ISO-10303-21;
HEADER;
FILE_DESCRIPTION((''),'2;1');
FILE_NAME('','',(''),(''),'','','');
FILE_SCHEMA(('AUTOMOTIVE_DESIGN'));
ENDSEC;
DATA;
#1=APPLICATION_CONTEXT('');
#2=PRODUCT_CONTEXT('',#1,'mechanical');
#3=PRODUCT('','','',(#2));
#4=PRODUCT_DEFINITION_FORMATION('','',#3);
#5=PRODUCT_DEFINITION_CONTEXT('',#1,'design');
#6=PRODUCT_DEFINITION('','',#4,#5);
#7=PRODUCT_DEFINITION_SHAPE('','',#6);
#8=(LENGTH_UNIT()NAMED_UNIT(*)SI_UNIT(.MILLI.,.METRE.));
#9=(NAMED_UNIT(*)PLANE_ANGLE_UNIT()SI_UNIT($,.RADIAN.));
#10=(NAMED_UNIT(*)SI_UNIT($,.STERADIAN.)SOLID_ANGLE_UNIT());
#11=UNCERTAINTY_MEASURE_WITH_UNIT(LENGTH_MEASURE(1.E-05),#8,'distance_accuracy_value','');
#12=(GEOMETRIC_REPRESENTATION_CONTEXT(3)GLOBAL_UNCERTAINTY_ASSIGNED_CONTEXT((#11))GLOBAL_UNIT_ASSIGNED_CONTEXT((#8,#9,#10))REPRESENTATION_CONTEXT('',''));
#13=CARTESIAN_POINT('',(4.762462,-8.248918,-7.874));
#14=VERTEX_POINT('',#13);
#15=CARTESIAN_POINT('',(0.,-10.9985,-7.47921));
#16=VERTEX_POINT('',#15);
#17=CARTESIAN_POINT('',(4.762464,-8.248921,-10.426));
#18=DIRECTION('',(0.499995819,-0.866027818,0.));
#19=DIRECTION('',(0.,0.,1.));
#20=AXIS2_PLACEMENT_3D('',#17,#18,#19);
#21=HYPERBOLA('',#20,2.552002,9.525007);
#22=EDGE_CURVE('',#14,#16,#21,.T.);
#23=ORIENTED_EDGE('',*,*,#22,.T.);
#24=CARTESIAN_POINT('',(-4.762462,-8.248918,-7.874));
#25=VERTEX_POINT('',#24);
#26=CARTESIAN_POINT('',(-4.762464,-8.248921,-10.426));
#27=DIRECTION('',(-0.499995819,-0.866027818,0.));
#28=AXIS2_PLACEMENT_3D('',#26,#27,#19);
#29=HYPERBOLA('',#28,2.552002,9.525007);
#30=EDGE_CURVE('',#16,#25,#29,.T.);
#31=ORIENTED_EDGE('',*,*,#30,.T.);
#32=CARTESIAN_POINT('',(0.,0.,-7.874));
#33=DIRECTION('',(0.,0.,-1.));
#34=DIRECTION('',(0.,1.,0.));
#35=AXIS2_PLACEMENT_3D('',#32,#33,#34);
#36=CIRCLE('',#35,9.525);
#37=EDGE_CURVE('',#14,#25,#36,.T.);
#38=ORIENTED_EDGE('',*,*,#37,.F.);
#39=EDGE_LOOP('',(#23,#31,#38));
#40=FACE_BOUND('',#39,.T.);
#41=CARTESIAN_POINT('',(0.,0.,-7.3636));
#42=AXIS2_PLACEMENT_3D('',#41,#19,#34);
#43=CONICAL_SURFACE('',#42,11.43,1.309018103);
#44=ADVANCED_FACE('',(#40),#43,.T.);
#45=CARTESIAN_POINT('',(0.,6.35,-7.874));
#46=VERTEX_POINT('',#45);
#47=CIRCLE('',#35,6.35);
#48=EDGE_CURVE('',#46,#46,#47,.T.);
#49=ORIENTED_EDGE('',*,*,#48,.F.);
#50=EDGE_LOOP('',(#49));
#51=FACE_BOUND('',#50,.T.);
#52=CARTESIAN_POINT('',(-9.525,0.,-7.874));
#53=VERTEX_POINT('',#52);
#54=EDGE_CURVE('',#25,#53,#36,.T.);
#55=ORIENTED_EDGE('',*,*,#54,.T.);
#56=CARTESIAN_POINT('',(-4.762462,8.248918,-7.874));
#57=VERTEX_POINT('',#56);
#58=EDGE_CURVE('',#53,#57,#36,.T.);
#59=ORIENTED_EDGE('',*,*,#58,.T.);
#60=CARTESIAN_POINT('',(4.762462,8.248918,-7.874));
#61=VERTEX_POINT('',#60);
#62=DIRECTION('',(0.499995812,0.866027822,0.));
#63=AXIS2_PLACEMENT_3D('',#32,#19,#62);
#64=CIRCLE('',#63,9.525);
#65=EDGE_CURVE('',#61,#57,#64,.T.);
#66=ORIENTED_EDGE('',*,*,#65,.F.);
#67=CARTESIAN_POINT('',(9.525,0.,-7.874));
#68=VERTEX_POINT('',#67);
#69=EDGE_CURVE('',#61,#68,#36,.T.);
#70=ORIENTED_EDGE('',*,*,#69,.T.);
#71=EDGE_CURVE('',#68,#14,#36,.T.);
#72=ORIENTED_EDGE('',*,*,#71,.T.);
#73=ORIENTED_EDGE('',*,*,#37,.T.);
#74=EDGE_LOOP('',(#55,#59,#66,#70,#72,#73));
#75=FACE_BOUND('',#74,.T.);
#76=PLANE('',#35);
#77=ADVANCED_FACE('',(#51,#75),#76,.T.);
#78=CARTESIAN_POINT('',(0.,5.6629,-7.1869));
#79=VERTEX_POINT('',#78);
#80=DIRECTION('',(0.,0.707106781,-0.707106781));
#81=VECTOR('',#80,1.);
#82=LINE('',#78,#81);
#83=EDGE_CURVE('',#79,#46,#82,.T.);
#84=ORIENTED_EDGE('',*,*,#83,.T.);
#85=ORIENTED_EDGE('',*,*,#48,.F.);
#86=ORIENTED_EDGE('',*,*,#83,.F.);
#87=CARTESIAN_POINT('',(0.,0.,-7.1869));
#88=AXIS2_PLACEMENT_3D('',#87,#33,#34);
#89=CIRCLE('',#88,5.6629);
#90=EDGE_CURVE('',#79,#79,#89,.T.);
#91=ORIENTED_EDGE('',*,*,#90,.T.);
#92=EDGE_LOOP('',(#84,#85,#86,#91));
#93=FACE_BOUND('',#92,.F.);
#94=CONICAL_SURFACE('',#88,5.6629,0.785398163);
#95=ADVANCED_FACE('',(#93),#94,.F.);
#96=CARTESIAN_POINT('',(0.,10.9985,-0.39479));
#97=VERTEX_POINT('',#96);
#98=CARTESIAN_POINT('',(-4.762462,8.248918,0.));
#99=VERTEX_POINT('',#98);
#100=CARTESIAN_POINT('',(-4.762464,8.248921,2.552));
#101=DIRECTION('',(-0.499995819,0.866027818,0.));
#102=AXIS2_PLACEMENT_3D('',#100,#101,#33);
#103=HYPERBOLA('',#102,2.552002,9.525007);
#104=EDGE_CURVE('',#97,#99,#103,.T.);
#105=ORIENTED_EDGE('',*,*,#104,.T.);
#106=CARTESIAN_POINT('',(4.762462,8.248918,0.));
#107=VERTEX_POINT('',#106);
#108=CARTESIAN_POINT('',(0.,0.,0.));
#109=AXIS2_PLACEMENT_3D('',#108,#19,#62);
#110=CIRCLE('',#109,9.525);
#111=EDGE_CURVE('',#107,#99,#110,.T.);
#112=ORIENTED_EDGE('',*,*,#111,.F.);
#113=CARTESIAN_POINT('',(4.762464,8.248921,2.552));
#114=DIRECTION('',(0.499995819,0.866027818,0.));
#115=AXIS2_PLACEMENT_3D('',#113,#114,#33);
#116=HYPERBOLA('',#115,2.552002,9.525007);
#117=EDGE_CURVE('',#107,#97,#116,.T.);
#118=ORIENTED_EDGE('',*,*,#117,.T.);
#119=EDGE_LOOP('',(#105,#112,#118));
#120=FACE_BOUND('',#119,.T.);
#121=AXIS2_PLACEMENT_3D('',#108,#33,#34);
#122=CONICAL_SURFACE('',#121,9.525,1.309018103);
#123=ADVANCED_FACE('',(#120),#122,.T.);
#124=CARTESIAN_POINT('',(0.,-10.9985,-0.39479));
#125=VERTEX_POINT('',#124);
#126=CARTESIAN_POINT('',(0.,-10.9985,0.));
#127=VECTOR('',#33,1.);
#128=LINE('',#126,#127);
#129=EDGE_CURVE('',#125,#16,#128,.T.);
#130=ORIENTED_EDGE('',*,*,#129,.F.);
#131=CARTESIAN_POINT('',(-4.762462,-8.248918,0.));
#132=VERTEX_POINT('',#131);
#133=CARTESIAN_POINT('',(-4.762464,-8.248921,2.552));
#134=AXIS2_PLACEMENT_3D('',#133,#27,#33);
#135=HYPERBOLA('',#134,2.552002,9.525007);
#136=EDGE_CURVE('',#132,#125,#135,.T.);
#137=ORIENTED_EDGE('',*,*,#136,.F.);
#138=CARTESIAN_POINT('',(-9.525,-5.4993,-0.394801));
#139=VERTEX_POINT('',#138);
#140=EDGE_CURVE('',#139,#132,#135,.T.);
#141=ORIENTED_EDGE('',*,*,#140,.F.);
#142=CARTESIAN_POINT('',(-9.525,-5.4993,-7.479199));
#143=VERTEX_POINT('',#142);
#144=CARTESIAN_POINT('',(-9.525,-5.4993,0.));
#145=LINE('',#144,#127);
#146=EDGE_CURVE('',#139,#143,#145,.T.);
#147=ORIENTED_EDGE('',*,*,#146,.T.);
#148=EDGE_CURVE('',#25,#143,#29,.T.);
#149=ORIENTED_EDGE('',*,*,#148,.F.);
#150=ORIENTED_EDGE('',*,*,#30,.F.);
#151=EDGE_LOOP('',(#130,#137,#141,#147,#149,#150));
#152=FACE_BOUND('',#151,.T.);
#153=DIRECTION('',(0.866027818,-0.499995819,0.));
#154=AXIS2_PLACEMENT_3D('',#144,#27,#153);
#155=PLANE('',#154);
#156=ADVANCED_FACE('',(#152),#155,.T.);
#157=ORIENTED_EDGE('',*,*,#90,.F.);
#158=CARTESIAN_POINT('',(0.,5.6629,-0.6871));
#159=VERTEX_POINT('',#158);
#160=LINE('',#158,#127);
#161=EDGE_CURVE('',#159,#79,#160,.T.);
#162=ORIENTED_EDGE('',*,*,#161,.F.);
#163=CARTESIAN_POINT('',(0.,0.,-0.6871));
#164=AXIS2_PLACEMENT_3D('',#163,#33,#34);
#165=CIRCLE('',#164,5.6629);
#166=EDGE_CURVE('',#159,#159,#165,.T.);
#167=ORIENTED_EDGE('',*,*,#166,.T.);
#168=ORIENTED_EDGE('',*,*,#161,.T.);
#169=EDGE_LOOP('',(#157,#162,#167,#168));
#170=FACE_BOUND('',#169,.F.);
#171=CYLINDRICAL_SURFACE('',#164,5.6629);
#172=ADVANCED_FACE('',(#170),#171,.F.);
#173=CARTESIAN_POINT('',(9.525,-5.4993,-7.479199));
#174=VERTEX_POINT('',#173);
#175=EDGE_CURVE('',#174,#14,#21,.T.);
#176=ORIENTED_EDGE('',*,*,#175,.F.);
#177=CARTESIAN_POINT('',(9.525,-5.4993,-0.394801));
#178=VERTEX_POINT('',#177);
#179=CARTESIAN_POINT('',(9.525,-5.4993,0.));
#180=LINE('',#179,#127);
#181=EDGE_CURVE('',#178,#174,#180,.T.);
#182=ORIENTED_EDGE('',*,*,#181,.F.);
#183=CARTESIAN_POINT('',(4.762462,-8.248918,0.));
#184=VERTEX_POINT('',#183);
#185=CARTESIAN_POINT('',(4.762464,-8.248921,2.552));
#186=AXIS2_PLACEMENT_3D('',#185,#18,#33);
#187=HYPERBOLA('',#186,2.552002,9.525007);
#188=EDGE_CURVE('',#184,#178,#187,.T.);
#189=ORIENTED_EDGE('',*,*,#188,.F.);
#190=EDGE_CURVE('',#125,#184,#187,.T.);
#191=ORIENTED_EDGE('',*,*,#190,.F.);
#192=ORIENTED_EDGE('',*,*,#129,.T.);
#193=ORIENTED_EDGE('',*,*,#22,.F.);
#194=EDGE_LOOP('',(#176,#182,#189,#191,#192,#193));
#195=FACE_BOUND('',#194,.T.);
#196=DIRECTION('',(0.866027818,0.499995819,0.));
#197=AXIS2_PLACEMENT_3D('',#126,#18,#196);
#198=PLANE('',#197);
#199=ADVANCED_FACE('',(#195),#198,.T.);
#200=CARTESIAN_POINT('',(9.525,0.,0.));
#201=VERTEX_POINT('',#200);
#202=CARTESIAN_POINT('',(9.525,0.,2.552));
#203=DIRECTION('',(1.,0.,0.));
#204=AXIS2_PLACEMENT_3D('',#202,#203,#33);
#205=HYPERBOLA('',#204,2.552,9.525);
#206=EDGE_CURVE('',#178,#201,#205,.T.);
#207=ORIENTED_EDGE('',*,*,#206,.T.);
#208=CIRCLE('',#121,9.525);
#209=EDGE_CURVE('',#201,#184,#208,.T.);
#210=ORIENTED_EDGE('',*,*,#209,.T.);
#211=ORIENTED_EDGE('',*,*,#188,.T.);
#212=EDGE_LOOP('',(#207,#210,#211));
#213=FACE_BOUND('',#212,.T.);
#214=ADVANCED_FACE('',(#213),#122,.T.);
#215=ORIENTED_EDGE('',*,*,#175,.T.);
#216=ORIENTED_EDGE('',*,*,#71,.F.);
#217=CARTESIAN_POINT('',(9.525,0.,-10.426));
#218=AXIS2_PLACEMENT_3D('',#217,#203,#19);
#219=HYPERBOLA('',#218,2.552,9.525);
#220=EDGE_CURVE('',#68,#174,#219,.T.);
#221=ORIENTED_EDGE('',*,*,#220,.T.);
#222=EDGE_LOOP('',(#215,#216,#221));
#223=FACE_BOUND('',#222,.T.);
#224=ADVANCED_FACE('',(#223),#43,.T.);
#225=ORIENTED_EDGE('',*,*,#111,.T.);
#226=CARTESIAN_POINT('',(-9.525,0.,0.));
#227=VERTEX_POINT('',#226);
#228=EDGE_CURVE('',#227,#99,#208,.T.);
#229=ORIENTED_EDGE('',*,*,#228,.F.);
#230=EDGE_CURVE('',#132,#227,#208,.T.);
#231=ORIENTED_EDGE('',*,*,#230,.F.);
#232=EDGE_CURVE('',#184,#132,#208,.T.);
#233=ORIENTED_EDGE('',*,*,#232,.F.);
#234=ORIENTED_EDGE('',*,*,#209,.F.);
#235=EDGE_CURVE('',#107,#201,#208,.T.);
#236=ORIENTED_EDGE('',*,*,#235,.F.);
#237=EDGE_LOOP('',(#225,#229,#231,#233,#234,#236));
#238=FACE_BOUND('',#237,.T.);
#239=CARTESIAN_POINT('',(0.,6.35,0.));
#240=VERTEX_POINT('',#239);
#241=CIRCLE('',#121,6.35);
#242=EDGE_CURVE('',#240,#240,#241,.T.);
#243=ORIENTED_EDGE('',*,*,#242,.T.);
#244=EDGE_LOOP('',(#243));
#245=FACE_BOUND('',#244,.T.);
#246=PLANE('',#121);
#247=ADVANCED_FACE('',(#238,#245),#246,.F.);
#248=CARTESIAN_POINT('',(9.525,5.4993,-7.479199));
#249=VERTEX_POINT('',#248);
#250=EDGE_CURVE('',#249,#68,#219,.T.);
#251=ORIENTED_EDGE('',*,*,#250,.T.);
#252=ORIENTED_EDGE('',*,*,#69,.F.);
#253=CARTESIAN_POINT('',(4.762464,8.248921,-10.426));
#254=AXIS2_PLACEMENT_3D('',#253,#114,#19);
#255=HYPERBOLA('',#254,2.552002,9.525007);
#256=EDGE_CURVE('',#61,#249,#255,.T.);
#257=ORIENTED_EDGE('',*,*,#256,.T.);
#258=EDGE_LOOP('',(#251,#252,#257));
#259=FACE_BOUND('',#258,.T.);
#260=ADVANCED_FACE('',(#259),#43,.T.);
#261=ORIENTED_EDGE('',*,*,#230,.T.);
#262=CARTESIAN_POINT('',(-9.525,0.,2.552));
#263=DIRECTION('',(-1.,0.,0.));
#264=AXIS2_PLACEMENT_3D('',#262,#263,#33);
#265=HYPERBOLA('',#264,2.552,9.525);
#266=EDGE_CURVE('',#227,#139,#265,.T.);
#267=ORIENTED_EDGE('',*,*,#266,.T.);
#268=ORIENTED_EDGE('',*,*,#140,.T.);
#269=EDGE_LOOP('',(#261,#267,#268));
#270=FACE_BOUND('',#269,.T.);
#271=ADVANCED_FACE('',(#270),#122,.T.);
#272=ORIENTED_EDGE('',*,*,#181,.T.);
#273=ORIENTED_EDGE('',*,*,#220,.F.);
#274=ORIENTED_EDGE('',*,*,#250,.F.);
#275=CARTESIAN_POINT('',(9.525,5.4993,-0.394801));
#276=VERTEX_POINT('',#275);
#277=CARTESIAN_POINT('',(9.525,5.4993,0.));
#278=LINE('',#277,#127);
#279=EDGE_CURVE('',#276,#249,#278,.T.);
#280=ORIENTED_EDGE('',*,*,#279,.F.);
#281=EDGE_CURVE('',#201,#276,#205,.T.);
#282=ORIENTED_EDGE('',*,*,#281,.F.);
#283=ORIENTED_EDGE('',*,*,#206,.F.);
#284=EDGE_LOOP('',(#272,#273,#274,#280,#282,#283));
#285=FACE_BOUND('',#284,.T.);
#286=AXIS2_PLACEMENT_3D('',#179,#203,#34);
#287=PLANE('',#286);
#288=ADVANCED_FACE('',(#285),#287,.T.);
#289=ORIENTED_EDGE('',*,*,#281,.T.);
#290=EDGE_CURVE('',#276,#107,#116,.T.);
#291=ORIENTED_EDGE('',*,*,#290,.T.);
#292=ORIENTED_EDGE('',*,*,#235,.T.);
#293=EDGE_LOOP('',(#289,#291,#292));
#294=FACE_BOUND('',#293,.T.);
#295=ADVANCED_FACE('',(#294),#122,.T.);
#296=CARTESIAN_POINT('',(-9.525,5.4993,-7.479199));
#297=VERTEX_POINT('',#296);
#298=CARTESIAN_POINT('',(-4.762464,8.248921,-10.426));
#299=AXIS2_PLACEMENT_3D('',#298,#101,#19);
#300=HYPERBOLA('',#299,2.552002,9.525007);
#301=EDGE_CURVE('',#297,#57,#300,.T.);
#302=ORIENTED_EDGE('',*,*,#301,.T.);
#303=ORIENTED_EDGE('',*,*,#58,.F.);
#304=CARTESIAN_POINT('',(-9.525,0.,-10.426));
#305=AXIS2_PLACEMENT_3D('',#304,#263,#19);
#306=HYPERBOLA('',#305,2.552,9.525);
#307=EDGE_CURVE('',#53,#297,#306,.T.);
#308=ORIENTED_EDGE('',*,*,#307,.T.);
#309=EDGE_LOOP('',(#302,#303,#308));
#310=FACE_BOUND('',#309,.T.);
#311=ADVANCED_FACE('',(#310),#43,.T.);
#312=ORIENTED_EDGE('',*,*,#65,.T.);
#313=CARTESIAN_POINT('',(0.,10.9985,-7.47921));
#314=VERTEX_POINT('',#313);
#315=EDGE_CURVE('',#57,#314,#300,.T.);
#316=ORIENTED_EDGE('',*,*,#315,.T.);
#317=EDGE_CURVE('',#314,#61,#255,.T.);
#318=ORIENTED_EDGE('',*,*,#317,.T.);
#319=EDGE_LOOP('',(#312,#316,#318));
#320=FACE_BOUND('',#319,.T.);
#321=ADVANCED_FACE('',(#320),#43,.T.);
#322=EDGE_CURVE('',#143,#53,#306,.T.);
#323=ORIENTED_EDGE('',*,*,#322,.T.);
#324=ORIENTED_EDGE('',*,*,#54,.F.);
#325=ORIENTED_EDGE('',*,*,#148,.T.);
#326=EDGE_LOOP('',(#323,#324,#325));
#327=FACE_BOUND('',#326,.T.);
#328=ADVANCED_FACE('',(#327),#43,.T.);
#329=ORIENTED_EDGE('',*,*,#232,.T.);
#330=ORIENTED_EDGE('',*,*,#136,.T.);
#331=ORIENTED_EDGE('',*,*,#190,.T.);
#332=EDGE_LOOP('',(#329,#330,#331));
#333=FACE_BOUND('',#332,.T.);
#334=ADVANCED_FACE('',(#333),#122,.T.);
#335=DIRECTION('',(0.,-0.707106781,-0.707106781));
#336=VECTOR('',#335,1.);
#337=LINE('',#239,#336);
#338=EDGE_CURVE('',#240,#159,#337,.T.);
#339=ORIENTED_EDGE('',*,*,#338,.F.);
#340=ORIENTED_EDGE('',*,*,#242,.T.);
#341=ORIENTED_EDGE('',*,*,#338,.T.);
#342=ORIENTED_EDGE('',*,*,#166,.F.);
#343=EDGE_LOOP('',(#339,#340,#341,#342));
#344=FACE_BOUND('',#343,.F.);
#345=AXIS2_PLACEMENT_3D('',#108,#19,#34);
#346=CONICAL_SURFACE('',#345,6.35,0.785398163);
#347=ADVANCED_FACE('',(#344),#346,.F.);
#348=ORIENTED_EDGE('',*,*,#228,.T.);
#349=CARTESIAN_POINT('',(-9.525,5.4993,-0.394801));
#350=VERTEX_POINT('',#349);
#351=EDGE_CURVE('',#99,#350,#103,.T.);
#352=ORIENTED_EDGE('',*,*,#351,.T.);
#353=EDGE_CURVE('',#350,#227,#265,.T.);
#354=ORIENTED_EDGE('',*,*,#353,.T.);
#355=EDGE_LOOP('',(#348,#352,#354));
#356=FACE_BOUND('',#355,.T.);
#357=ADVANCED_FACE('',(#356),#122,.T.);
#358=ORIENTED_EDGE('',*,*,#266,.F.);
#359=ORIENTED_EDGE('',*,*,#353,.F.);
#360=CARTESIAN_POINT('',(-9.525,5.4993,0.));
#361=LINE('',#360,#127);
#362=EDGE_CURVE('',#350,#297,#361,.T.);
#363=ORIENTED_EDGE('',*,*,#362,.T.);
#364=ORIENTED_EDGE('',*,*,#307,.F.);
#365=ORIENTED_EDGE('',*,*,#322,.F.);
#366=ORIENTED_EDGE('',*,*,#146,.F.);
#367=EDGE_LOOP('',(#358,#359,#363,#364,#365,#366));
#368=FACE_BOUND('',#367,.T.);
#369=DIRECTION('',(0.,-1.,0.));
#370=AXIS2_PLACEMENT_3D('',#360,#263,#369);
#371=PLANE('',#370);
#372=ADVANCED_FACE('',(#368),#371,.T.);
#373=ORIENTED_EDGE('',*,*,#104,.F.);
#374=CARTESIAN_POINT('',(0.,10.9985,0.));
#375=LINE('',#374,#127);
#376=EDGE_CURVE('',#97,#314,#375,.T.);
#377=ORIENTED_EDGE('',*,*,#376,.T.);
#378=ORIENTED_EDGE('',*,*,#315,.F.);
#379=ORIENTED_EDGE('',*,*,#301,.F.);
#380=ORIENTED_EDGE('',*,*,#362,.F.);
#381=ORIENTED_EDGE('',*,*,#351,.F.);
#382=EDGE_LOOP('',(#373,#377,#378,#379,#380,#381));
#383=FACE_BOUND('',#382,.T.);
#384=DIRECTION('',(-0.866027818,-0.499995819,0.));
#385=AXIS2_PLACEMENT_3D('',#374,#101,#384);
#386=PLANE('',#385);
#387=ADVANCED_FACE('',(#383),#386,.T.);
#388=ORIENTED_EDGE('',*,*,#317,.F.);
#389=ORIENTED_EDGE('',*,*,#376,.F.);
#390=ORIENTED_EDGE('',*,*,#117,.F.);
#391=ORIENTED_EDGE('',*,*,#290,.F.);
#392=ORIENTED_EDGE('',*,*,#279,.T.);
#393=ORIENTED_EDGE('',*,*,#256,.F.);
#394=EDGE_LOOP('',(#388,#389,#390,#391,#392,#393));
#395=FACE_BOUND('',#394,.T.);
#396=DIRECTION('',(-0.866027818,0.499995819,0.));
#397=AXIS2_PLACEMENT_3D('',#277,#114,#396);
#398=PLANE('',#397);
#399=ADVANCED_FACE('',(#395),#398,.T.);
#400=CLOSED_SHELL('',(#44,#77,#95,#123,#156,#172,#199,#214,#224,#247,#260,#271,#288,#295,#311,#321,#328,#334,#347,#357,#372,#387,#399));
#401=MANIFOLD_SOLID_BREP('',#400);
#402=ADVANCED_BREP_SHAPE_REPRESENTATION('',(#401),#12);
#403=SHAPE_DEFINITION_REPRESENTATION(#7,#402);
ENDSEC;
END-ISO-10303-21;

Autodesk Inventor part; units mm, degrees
sketch "Sketch_8" plane through (0, 0, 0) normal (1, 0, 0) x (0, 1, 0)
  line L0 (0, -7.874) -> (0, 0)
  line L1 (0, 0) -> (9.525, 0)
  line L2 (9.525, 0) -> (11.43, -0.5104)
  line L3 (11.43, -0.5104) -> (11.43, -7.3636)
  line L4 (11.43, -7.3636) -> (9.525, -7.874)
  line L5 (9.525, -7.874) -> (0, -7.874)
  line L6 (0, -7.874) -> (0, 0)
sketch "Sketch_10" plane through (0, 0, 0) normal (0, 0, 1) x (1, 0, 0)
  line L0 (-19.05, -19.05) -> (19.05, -19.05)
  line L1 (19.05, -19.05) -> (19.05, 19.05)
  line L2 (19.05, 19.05) -> (-19.05, 19.05)
  line L3 (-19.05, 19.05) -> (-19.05, -19.05)
  line L4 (-9.525, -5.4993) -> (0, -10.9985)
  line L5 (0, -10.9985) -> (9.525, -5.4993)
  line L6 (9.525, -5.4993) -> (9.525, 5.4993)
  line L7 (9.525, 5.4993) -> (0, 10.9985)
  line L8 (0, 10.9985) -> (-9.525, 5.4993)
  line L9 (-9.525, 5.4993) -> (-9.525, -5.4993)
revolve "Revolution1" add sketch "Sketch_8" angle 360 about axis through (0, 0, -7.874) along (0, 0, -1)
extrude "Extrusion1" cut sketch "Sketch_10" against normal blind 7.874
sketch "Sketch_11" plane through (0, 0, 0) normal (1, 0, 0) x (0, 1, 0)
  line L0 (0, -7.874) -> (0, 0)
  line L1 (0, 0) -> (6.35, 0)
  line L2 (6.35, 0) -> (5.6629, -0.6871)
  line L3 (5.6629, -0.6871) -> (5.6629, -7.1869)
  line L4 (5.6629, -7.1869) -> (6.35, -7.874)
  line L5 (6.35, -7.874) -> (0, -7.874)
  line L6 (0, -7.874) -> (0, 0)
revolve "Revolution2" cut sketch "Sketch_11" angle 360 about axis through (0, 0, -7.874) along (0, 0, -1)
thread "Thread1" size "1/2-20 UNF" class "2B" standard "ANSI Unified Screw Threads" full length
ref_plane "NUT_XY" through (0, 0, 0) normal (0, 0, 1) x (1, 0, 0)
ref_plane "NUT_YZ" through (0, 0, 0) normal (1, 0, 0) x (0, 1, 0)
ref_plane "NUT_ZX" through (0, 0, 0) normal (0, 1, 0) x (0, 0, 1)
ref_plane "a1_XY" through (-9.525, 9.525, 0) normal (0, 0, 1) x (1, 0, 0)
ref_plane "a1_YZ" through (-9.525, 9.525, 0) normal (1, 0, 0) x (0, 1, 0)
ref_plane "a1_ZX" through (-9.525, 9.525, 0) normal (0, 1, 0) x (0, 0, 1)
ref_plane "a2_XY" through (9.525, 9.525, 0) normal (0, 0, 1) x (1, 0, 0)
ref_plane "a2_YZ" through (9.525, 9.525, 0) normal (1, 0, 0) x (0, 1, 0)
ref_plane "a2_ZX" through (9.525, 9.525, 0) normal (0, 1, 0) x (0, 0, 1)
ref_plane "b1_XY" through (0, 9.525, 0) normal (1, 0, 0) x (0, 0, -1)
ref_plane "b1_YZ" through (0, 9.525, 0) normal (0, 0, -1) x (0, 1, 0)
ref_plane "b1_ZX" through (0, 9.525, 0) normal (0, 1, 0) x (1, 0, 0)
ref_plane "b2_XY" through (0, 9.525, -7.874) normal (1, 0, 0) x (0, 0, -1)
ref_plane "b2_YZ" through (0, 9.525, -7.874) normal (0, 0, -1) x (0, 1, 0)
ref_plane "b2_ZX" through (0, 9.525, -7.874) normal (0, 1, 0) x (1, 0, 0)
ref_plane "e_XY" through (0, 0, -7.874) normal (1, 0, 0) x (0, 0, -1)
ref_plane "e_YZ" through (0, 0, -7.874) normal (0, 0, -1) x (0, 1, 0)
ref_plane "e_ZX" through (0, 0, -7.874) normal (0, 1, 0) x (1, 0, 0)
ref_plane "ol1_XY" through (0, 0, -9.525) normal (0, 1, 0) x (1, 0, 0)
ref_plane "ol1_YZ" through (0, 0, -9.525) normal (1, 0, 0) x (0, 0, -1)
ref_plane "ol1_ZX" through (0, 0, -9.525) normal (0, 0, -1) x (0, 1, 0)
ref_plane "ol2_XY" through (7.874, 0, -9.525) normal (0, 1, 0) x (1, 0, 0)
ref_plane "ol2_YZ" through (7.874, 0, -9.525) normal (1, 0, 0) x (0, 0, -1)
ref_plane "ol2_ZX" through (7.874, 0, -9.525) normal (0, 0, -1) x (0, 1, 0)
ref_plane "th1_XY" through (0, 6.35, -7.874) normal (1, 0, 0) x (0, 0, -1)
ref_plane "th1_YZ" through (0, 6.35, -7.874) normal (0, 0, -1) x (0, 1, 0)
ref_plane "th1_ZX" through (0, 6.35, -7.874) normal (0, 1, 0) x (1, 0, 0)
ref_plane "th2_XY" through (0, -6.35, -7.874) normal (1, 0, 0) x (0, 0, -1)
ref_plane "th2_YZ" through (0, -6.35, -7.874) normal (0, 0, -1) x (0, 1, 0)
ref_plane "th2_ZX" through (0, -6.35, -7.874) normal (0, 1, 0) x (1, 0, 0)
properties part number "D-98"
